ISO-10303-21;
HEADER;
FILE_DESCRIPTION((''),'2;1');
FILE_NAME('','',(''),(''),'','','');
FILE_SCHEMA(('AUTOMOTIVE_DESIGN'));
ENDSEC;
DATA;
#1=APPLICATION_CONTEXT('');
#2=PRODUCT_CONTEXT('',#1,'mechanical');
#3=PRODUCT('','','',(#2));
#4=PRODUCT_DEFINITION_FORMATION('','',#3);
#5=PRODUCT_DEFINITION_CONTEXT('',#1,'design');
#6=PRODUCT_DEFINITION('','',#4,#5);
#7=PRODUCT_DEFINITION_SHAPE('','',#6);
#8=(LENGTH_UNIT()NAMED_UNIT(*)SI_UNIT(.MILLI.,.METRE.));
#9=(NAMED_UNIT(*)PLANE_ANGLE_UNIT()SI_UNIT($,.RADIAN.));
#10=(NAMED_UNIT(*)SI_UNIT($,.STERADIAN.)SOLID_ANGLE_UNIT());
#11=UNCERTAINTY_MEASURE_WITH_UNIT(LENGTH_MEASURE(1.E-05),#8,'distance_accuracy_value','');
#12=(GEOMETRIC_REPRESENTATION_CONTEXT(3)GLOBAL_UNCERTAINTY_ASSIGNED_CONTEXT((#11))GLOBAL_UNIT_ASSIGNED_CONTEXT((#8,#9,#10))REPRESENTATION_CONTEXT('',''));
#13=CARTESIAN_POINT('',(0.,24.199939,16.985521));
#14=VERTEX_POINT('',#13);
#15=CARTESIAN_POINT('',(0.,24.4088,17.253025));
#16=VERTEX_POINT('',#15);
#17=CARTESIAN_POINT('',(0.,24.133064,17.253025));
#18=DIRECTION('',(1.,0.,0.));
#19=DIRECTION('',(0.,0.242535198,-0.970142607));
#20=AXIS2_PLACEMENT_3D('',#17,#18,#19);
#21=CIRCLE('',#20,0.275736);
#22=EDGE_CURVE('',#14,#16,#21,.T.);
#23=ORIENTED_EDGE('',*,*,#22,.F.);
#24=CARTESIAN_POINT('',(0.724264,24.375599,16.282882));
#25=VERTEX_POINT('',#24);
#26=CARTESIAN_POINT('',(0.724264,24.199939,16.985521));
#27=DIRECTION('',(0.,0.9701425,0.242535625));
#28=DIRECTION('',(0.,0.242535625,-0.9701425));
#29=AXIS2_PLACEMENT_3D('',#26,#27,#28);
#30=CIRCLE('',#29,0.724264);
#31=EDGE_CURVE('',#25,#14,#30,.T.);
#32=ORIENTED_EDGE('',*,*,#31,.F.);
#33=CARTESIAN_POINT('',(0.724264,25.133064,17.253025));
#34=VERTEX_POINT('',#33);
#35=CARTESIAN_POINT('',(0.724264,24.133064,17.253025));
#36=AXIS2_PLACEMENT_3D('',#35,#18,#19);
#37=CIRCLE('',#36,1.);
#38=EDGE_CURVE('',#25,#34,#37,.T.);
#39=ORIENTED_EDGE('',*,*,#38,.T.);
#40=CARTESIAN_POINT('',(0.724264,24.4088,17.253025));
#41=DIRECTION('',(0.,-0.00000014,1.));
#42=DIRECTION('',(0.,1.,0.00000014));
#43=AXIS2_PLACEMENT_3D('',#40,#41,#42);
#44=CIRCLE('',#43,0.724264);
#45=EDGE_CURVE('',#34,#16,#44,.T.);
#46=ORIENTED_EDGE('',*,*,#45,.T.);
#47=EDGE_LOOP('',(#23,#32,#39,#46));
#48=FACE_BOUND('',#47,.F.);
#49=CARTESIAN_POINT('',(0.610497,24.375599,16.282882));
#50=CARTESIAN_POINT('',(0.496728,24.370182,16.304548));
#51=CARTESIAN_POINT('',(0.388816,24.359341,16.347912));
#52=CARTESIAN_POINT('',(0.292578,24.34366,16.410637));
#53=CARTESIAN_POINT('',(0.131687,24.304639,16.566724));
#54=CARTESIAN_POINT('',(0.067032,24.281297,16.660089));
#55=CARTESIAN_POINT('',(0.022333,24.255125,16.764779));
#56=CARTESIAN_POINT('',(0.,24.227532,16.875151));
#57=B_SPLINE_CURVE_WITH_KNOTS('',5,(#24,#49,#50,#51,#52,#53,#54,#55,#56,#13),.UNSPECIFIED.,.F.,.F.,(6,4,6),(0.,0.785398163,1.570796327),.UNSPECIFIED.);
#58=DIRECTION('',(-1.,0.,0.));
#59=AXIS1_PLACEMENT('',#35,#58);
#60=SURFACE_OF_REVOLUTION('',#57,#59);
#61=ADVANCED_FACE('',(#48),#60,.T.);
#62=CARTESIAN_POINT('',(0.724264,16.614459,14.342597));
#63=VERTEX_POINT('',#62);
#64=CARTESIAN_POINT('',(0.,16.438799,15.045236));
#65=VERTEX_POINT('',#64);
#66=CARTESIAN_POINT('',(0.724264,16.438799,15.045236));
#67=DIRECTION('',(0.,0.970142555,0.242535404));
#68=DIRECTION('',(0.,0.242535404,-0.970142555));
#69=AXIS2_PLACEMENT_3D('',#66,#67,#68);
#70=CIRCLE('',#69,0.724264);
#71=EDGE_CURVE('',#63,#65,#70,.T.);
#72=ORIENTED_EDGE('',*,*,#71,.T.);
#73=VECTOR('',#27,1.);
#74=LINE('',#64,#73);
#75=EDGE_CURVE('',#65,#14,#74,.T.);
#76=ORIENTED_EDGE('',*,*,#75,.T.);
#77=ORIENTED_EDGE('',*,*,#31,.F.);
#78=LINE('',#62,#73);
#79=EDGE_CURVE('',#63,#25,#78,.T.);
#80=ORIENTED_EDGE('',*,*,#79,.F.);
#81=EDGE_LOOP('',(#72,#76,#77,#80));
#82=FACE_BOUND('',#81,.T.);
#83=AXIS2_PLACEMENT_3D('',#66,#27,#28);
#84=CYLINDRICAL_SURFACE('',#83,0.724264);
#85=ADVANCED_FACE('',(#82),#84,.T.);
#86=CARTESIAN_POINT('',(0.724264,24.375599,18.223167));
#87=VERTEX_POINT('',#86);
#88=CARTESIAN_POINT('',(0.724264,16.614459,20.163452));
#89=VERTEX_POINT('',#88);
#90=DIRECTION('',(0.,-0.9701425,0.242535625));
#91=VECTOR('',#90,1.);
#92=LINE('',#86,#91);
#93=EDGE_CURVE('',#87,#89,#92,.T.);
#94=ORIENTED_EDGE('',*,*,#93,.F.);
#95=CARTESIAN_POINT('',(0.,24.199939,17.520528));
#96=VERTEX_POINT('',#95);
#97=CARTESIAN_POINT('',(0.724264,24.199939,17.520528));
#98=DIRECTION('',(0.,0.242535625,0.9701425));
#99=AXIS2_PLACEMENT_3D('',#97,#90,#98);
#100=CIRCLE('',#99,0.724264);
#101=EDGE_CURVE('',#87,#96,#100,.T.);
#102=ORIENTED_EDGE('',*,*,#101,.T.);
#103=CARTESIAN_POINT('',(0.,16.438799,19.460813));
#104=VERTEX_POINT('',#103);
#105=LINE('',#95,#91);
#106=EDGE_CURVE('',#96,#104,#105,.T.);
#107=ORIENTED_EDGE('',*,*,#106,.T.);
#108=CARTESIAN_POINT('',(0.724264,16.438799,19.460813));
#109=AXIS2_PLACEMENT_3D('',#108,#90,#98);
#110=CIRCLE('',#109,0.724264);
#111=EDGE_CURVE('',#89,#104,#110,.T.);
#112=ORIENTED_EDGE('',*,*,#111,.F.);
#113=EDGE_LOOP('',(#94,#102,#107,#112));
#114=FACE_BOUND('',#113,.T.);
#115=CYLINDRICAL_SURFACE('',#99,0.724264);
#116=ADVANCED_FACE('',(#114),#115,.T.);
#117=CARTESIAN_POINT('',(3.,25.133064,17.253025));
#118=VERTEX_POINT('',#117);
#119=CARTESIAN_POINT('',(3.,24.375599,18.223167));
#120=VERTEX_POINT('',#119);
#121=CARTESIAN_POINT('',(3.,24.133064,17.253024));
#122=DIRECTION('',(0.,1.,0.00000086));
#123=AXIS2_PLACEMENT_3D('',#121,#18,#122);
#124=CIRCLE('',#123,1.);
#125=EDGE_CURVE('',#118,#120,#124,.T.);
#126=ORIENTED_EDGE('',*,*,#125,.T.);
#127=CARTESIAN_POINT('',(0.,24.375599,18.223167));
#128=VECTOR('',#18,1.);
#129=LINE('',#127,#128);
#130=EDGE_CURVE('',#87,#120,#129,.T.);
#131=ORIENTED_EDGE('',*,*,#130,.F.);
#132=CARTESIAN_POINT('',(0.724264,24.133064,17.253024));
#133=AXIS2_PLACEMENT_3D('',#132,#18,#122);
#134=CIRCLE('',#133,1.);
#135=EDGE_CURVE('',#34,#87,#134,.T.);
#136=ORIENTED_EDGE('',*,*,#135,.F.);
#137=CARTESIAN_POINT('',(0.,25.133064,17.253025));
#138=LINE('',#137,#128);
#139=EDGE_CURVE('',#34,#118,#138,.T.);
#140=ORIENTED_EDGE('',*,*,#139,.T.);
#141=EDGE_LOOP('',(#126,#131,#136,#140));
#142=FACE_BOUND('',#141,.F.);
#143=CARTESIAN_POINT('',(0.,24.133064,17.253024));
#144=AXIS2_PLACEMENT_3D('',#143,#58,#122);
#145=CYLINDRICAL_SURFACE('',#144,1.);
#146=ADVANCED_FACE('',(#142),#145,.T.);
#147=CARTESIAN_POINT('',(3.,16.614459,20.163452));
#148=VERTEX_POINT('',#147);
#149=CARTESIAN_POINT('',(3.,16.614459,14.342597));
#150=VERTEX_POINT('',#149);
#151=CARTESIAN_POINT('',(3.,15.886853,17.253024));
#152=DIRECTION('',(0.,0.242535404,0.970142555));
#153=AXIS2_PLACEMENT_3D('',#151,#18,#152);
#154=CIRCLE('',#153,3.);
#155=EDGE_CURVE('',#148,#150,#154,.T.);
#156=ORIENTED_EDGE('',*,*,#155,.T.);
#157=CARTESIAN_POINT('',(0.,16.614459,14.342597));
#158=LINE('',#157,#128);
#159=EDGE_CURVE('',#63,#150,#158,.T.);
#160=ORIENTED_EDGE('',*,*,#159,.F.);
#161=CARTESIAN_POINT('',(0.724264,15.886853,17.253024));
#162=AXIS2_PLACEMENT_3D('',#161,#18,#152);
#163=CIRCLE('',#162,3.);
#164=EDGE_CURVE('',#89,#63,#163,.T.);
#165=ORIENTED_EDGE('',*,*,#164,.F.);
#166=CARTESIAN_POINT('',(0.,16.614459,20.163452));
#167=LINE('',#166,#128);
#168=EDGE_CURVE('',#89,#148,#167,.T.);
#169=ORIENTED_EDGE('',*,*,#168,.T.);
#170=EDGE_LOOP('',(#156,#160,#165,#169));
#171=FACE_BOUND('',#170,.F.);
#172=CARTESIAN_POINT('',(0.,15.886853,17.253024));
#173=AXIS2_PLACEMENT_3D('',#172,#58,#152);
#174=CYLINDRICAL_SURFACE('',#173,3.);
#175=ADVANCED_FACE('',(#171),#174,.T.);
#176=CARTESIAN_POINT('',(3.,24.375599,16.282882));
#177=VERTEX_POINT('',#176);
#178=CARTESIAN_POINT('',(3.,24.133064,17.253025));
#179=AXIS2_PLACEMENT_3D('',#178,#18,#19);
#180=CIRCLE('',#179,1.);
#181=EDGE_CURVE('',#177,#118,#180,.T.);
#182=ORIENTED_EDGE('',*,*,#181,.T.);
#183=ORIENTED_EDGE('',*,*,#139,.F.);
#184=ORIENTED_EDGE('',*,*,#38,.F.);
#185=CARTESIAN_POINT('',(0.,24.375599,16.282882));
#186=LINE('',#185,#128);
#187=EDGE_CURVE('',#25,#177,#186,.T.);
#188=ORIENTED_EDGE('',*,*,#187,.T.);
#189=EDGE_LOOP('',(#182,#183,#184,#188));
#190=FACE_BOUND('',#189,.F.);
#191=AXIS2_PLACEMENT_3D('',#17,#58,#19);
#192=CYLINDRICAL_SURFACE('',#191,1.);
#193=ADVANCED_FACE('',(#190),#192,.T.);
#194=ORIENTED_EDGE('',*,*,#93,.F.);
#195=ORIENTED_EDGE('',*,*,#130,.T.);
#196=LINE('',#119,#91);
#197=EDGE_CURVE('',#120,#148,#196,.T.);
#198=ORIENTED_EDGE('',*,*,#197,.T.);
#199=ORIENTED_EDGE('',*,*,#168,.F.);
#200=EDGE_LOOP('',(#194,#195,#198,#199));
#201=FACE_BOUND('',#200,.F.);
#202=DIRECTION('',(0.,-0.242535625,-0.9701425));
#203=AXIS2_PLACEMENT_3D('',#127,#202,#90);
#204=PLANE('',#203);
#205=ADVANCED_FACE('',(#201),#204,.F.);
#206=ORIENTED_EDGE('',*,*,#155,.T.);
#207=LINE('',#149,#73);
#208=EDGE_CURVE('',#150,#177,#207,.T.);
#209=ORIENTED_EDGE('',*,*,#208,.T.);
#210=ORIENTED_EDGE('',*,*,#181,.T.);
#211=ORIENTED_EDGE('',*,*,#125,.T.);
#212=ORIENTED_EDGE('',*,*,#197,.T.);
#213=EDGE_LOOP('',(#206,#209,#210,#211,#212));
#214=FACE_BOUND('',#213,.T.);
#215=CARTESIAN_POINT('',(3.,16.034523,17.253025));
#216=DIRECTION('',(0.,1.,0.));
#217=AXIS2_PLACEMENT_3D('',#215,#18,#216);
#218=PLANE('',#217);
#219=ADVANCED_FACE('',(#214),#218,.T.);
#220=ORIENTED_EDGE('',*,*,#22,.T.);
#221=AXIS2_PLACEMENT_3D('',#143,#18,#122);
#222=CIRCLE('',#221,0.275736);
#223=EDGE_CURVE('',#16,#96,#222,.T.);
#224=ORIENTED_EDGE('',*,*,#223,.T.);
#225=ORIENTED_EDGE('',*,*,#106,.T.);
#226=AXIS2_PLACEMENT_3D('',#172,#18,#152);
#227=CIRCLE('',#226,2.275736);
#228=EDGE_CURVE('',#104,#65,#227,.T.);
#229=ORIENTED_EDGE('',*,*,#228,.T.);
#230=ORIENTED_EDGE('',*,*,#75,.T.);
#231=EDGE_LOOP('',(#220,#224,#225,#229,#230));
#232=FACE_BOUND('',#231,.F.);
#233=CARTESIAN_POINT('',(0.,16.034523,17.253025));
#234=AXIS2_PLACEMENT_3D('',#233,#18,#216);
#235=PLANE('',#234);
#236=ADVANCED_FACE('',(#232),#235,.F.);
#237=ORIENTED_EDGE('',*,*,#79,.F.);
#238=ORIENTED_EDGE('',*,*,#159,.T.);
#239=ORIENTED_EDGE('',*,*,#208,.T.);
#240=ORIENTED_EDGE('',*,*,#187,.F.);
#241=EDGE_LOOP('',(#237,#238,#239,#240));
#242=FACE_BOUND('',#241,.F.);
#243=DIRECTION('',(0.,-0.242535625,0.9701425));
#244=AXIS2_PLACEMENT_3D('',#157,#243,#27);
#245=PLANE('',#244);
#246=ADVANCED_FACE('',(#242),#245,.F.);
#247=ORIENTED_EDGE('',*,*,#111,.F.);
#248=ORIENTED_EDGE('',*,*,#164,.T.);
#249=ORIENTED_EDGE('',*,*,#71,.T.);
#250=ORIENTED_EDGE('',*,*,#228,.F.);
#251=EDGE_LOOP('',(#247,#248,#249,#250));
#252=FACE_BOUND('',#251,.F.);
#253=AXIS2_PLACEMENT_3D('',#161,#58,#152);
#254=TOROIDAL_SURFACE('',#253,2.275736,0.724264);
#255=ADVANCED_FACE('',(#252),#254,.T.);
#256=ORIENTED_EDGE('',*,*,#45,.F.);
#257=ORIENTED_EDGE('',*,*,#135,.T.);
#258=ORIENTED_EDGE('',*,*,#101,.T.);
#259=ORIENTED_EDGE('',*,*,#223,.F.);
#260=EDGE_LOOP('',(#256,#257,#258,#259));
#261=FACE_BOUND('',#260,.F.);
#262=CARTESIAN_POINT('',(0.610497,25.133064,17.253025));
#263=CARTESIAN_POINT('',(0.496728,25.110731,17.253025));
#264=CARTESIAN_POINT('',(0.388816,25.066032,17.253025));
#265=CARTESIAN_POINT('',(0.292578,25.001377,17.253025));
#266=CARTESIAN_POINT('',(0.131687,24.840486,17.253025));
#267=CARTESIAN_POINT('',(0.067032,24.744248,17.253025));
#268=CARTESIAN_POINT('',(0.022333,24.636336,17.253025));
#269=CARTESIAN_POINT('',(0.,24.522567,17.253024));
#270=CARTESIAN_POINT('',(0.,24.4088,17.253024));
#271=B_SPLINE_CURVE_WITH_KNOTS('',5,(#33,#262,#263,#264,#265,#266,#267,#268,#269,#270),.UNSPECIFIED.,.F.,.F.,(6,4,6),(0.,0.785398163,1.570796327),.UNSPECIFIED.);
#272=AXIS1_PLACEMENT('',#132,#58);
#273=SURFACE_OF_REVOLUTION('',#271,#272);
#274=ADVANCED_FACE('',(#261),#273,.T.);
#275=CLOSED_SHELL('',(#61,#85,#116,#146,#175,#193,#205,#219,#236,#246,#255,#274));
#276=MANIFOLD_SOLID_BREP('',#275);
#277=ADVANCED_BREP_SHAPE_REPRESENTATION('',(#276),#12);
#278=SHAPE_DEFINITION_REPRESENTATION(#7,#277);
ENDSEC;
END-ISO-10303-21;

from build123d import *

# Parameters (mm, degrees)
F1_DEPTH = 3
F2_R     = 0.724264


with BuildPart() as f1:
    # F0 (on Right) → F1 (new body)
    with BuildSketch(Plane.YZ):
        with BuildLine():
            ThreePointArc((16.614459, 14.342597), (18.251469, 15.406788), (18.886853, 17.253025))
            ThreePointArc((18.886853, 17.253025), (18.251469, 19.099261), (16.614459, 20.163452))
            ThreePointArc((16.614459, 20.163452), (12.886853, 17.253025), (16.614459, 14.342597))
        make_face()
        with BuildLine():
            ThreePointArc((16.614459, 20.163452), (18.251469, 19.099261), (18.886853, 17.253025))
            ThreePointArc((18.886853, 17.253025), (18.251469, 15.406788), (16.614459, 14.342597))
            Line((16.614459, 14.342597), (24.375599, 16.282882))
            ThreePointArc((24.375599, 16.282882), (23.133064, 17.253025), (24.375599, 18.223167))
            Line((24.375599, 18.223167), (16.614459, 20.163452))
        make_face()
        with BuildLine():
            ThreePointArc((25.133064, 17.253025), (24.921269, 17.868437), (24.375599, 18.223167))
            ThreePointArc((24.375599, 18.223167), (23.133064, 17.253025), (24.375599, 16.282882))
            ThreePointArc((24.375599, 16.282882), (24.921269, 16.637612), (25.133064, 17.253025))
        make_face()
    extrude(amount=F1_DEPTH)

    # F2
    f2_edges = [f1.edges().sort_by_distance(p)[0] for p in [
        (0, 20.495029, 19.19331),
    ]]
    fillet(f2_edges, radius=F2_R)


solid = f1.part
